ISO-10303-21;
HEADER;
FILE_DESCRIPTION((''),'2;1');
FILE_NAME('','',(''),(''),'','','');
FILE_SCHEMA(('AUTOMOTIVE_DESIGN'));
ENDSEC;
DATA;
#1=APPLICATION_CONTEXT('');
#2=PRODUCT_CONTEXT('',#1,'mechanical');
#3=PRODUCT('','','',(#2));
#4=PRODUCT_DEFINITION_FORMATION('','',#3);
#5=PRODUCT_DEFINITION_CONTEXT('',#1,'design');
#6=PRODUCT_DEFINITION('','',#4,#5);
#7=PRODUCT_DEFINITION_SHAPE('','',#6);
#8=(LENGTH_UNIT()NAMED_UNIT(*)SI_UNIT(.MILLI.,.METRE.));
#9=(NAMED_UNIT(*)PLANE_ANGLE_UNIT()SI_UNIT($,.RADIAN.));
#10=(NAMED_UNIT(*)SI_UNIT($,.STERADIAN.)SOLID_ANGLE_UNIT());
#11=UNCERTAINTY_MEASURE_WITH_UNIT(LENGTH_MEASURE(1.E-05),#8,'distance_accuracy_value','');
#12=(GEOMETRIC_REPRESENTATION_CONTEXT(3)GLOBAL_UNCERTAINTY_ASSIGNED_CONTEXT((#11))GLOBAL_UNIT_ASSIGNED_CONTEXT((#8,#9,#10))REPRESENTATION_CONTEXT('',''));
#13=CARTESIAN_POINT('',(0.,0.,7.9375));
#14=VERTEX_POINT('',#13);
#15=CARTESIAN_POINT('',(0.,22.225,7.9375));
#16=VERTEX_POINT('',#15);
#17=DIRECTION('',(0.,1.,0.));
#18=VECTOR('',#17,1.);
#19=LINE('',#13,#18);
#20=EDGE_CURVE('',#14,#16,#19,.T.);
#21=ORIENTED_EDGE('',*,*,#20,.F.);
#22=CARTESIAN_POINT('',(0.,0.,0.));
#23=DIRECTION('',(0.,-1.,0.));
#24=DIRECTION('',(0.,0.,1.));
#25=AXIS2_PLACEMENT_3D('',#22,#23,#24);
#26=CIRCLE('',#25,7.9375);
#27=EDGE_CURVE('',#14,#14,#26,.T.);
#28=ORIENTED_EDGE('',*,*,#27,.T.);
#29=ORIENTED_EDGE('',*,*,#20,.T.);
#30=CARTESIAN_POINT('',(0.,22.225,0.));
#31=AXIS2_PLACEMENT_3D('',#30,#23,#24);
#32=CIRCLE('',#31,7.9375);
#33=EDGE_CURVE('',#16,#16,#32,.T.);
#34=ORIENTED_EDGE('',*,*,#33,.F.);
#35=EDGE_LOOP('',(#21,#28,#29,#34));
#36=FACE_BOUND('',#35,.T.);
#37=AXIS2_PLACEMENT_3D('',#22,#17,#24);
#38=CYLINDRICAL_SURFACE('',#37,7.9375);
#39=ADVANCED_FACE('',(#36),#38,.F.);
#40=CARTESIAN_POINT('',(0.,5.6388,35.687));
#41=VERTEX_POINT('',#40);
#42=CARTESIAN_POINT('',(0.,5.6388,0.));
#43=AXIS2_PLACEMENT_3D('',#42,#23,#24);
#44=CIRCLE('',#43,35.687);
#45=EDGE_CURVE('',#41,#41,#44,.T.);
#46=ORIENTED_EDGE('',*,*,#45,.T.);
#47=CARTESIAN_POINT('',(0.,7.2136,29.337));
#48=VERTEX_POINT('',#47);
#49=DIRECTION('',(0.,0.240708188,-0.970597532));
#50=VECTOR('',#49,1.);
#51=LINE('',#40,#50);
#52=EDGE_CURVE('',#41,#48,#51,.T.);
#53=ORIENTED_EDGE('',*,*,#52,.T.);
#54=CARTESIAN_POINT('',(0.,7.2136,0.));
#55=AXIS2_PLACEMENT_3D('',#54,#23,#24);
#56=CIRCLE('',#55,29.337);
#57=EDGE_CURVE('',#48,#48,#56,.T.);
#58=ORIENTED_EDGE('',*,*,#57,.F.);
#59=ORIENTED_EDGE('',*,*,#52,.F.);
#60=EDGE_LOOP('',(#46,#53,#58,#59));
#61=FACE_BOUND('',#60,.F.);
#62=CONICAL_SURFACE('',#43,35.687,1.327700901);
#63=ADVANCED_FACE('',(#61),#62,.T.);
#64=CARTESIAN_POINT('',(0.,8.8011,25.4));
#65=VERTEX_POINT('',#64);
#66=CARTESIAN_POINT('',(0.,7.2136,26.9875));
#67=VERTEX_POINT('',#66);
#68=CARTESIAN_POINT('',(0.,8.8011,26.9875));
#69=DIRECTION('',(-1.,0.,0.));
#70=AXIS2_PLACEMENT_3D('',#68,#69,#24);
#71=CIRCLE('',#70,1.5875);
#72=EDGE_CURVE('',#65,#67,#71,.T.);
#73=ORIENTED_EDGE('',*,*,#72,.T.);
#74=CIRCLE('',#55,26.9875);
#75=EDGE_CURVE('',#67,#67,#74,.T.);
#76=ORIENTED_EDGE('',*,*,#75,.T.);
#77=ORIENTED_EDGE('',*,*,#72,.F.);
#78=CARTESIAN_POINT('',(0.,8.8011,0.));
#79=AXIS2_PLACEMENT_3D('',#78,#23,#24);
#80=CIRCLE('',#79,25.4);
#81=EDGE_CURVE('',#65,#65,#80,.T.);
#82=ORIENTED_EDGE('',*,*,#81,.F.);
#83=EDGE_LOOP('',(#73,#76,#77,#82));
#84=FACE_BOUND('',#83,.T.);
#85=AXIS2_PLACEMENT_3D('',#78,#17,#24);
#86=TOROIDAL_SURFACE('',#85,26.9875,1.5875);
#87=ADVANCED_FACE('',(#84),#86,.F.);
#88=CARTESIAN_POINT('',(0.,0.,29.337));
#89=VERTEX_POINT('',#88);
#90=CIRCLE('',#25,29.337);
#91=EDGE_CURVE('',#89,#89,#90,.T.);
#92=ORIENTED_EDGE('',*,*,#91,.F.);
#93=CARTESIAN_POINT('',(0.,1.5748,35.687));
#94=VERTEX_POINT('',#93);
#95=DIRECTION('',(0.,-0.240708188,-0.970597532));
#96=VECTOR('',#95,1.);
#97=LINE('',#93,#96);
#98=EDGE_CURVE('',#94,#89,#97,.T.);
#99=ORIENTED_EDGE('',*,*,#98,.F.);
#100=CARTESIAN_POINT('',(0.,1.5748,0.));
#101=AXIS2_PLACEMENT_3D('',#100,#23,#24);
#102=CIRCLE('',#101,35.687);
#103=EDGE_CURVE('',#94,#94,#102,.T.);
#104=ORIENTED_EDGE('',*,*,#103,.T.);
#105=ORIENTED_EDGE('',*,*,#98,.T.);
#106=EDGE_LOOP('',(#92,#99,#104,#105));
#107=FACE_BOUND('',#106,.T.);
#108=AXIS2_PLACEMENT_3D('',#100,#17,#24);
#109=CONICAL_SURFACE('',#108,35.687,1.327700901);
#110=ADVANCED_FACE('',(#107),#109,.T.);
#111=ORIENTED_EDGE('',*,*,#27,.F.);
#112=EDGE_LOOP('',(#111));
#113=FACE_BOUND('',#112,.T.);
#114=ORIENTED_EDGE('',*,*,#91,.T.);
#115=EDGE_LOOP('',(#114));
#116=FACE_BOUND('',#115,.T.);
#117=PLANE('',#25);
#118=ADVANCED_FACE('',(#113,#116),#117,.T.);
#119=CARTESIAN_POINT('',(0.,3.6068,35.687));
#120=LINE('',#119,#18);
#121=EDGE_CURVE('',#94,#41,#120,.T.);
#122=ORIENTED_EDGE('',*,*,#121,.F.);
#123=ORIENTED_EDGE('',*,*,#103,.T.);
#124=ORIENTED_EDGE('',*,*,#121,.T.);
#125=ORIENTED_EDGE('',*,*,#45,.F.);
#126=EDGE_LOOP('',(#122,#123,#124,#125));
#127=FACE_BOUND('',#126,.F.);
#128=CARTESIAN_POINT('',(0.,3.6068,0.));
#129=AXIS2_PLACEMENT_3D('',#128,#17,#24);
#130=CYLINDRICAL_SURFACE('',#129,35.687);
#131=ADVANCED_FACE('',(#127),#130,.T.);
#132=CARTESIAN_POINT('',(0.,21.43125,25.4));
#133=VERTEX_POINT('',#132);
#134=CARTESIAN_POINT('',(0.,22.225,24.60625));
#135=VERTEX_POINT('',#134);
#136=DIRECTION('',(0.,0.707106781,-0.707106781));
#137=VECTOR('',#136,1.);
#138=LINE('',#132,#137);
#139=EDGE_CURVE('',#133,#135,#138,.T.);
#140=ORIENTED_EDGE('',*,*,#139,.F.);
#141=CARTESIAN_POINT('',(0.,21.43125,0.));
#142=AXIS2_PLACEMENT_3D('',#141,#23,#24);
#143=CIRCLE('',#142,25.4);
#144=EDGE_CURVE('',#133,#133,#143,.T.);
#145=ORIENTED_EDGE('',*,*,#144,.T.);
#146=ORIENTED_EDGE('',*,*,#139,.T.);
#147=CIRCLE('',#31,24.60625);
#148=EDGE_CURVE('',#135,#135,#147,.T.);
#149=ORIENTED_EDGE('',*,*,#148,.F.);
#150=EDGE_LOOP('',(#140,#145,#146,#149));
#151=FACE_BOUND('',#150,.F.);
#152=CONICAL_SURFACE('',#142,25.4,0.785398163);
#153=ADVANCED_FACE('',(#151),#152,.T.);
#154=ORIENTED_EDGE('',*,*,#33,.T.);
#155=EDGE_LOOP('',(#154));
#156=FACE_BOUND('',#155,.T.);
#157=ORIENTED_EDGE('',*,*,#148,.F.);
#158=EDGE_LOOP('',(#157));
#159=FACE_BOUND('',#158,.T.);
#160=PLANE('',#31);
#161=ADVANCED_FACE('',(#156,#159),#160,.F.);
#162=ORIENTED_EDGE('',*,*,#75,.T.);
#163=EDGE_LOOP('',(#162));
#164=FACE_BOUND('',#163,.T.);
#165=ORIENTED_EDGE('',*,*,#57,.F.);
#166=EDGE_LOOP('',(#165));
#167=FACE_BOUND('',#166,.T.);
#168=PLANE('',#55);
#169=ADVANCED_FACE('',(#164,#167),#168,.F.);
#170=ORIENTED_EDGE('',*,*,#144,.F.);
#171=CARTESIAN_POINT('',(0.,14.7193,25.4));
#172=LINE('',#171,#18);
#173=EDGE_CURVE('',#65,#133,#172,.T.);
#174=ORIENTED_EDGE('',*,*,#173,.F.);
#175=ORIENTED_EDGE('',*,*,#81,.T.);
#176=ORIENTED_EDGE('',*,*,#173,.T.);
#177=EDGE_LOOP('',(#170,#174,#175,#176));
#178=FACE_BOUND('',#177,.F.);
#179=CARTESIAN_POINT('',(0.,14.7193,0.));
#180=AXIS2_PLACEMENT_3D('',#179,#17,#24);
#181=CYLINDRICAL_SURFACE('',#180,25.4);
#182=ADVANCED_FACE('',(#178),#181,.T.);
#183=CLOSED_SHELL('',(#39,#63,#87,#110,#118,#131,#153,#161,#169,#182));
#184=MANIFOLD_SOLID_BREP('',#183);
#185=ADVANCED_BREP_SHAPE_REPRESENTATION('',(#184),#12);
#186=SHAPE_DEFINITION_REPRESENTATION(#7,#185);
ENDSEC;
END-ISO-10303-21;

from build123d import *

# Parameters (mm, degrees)
F0_W     = 7.2136
F0_H     = 10.287
F0_H_2   = 17.4625
F0_W_2   = 15.0114
F2_R     = 1.5875
F3_SIZE  = 0.79375
F4_SIZE2 = 6.35
F4_SIZE  = 1.5748


with BuildPart() as f1:
    # F0 (on Right) → F1 (revolve)
    with BuildSketch(Plane.YZ):
        with Locations((3.6068, 30.5435)):
            Rectangle(F0_W, F0_H)
        with Locations((3.6068, 16.66875)):
            Rectangle(F0_W, F0_H_2)
        with Locations((14.7193, 16.66875)):
            Rectangle(F0_W_2, F0_H_2)
    revolve(axis=Axis((0, 11.1125, 0), (0, -1, 0)))

    # F2
    f2_edges = [f1.edges().sort_by_distance(p)[0] for p in [
        (0, 7.2136, -25.4),
    ]]
    fillet(f2_edges, radius=F2_R)

    # F3
    f3_edges = [f1.edges().sort_by_distance(p)[0] for p in [
        (0, 22.225, -25.4),
    ]]
    chamfer(f3_edges, length=F3_SIZE)

    # F4
    f4_edges = [f1.edges().sort_by_distance(p)[0] for p in [
        (0, 7.2136, -35.687),
        (0, 0, -35.687),
    ]]
    f4_side = f1.faces().sort_by_distance((0, 3.6068, -35.687))[0]
    chamfer(f4_edges, length=F4_SIZE, length2=F4_SIZE2, reference=f4_side)


solid = f1.part
